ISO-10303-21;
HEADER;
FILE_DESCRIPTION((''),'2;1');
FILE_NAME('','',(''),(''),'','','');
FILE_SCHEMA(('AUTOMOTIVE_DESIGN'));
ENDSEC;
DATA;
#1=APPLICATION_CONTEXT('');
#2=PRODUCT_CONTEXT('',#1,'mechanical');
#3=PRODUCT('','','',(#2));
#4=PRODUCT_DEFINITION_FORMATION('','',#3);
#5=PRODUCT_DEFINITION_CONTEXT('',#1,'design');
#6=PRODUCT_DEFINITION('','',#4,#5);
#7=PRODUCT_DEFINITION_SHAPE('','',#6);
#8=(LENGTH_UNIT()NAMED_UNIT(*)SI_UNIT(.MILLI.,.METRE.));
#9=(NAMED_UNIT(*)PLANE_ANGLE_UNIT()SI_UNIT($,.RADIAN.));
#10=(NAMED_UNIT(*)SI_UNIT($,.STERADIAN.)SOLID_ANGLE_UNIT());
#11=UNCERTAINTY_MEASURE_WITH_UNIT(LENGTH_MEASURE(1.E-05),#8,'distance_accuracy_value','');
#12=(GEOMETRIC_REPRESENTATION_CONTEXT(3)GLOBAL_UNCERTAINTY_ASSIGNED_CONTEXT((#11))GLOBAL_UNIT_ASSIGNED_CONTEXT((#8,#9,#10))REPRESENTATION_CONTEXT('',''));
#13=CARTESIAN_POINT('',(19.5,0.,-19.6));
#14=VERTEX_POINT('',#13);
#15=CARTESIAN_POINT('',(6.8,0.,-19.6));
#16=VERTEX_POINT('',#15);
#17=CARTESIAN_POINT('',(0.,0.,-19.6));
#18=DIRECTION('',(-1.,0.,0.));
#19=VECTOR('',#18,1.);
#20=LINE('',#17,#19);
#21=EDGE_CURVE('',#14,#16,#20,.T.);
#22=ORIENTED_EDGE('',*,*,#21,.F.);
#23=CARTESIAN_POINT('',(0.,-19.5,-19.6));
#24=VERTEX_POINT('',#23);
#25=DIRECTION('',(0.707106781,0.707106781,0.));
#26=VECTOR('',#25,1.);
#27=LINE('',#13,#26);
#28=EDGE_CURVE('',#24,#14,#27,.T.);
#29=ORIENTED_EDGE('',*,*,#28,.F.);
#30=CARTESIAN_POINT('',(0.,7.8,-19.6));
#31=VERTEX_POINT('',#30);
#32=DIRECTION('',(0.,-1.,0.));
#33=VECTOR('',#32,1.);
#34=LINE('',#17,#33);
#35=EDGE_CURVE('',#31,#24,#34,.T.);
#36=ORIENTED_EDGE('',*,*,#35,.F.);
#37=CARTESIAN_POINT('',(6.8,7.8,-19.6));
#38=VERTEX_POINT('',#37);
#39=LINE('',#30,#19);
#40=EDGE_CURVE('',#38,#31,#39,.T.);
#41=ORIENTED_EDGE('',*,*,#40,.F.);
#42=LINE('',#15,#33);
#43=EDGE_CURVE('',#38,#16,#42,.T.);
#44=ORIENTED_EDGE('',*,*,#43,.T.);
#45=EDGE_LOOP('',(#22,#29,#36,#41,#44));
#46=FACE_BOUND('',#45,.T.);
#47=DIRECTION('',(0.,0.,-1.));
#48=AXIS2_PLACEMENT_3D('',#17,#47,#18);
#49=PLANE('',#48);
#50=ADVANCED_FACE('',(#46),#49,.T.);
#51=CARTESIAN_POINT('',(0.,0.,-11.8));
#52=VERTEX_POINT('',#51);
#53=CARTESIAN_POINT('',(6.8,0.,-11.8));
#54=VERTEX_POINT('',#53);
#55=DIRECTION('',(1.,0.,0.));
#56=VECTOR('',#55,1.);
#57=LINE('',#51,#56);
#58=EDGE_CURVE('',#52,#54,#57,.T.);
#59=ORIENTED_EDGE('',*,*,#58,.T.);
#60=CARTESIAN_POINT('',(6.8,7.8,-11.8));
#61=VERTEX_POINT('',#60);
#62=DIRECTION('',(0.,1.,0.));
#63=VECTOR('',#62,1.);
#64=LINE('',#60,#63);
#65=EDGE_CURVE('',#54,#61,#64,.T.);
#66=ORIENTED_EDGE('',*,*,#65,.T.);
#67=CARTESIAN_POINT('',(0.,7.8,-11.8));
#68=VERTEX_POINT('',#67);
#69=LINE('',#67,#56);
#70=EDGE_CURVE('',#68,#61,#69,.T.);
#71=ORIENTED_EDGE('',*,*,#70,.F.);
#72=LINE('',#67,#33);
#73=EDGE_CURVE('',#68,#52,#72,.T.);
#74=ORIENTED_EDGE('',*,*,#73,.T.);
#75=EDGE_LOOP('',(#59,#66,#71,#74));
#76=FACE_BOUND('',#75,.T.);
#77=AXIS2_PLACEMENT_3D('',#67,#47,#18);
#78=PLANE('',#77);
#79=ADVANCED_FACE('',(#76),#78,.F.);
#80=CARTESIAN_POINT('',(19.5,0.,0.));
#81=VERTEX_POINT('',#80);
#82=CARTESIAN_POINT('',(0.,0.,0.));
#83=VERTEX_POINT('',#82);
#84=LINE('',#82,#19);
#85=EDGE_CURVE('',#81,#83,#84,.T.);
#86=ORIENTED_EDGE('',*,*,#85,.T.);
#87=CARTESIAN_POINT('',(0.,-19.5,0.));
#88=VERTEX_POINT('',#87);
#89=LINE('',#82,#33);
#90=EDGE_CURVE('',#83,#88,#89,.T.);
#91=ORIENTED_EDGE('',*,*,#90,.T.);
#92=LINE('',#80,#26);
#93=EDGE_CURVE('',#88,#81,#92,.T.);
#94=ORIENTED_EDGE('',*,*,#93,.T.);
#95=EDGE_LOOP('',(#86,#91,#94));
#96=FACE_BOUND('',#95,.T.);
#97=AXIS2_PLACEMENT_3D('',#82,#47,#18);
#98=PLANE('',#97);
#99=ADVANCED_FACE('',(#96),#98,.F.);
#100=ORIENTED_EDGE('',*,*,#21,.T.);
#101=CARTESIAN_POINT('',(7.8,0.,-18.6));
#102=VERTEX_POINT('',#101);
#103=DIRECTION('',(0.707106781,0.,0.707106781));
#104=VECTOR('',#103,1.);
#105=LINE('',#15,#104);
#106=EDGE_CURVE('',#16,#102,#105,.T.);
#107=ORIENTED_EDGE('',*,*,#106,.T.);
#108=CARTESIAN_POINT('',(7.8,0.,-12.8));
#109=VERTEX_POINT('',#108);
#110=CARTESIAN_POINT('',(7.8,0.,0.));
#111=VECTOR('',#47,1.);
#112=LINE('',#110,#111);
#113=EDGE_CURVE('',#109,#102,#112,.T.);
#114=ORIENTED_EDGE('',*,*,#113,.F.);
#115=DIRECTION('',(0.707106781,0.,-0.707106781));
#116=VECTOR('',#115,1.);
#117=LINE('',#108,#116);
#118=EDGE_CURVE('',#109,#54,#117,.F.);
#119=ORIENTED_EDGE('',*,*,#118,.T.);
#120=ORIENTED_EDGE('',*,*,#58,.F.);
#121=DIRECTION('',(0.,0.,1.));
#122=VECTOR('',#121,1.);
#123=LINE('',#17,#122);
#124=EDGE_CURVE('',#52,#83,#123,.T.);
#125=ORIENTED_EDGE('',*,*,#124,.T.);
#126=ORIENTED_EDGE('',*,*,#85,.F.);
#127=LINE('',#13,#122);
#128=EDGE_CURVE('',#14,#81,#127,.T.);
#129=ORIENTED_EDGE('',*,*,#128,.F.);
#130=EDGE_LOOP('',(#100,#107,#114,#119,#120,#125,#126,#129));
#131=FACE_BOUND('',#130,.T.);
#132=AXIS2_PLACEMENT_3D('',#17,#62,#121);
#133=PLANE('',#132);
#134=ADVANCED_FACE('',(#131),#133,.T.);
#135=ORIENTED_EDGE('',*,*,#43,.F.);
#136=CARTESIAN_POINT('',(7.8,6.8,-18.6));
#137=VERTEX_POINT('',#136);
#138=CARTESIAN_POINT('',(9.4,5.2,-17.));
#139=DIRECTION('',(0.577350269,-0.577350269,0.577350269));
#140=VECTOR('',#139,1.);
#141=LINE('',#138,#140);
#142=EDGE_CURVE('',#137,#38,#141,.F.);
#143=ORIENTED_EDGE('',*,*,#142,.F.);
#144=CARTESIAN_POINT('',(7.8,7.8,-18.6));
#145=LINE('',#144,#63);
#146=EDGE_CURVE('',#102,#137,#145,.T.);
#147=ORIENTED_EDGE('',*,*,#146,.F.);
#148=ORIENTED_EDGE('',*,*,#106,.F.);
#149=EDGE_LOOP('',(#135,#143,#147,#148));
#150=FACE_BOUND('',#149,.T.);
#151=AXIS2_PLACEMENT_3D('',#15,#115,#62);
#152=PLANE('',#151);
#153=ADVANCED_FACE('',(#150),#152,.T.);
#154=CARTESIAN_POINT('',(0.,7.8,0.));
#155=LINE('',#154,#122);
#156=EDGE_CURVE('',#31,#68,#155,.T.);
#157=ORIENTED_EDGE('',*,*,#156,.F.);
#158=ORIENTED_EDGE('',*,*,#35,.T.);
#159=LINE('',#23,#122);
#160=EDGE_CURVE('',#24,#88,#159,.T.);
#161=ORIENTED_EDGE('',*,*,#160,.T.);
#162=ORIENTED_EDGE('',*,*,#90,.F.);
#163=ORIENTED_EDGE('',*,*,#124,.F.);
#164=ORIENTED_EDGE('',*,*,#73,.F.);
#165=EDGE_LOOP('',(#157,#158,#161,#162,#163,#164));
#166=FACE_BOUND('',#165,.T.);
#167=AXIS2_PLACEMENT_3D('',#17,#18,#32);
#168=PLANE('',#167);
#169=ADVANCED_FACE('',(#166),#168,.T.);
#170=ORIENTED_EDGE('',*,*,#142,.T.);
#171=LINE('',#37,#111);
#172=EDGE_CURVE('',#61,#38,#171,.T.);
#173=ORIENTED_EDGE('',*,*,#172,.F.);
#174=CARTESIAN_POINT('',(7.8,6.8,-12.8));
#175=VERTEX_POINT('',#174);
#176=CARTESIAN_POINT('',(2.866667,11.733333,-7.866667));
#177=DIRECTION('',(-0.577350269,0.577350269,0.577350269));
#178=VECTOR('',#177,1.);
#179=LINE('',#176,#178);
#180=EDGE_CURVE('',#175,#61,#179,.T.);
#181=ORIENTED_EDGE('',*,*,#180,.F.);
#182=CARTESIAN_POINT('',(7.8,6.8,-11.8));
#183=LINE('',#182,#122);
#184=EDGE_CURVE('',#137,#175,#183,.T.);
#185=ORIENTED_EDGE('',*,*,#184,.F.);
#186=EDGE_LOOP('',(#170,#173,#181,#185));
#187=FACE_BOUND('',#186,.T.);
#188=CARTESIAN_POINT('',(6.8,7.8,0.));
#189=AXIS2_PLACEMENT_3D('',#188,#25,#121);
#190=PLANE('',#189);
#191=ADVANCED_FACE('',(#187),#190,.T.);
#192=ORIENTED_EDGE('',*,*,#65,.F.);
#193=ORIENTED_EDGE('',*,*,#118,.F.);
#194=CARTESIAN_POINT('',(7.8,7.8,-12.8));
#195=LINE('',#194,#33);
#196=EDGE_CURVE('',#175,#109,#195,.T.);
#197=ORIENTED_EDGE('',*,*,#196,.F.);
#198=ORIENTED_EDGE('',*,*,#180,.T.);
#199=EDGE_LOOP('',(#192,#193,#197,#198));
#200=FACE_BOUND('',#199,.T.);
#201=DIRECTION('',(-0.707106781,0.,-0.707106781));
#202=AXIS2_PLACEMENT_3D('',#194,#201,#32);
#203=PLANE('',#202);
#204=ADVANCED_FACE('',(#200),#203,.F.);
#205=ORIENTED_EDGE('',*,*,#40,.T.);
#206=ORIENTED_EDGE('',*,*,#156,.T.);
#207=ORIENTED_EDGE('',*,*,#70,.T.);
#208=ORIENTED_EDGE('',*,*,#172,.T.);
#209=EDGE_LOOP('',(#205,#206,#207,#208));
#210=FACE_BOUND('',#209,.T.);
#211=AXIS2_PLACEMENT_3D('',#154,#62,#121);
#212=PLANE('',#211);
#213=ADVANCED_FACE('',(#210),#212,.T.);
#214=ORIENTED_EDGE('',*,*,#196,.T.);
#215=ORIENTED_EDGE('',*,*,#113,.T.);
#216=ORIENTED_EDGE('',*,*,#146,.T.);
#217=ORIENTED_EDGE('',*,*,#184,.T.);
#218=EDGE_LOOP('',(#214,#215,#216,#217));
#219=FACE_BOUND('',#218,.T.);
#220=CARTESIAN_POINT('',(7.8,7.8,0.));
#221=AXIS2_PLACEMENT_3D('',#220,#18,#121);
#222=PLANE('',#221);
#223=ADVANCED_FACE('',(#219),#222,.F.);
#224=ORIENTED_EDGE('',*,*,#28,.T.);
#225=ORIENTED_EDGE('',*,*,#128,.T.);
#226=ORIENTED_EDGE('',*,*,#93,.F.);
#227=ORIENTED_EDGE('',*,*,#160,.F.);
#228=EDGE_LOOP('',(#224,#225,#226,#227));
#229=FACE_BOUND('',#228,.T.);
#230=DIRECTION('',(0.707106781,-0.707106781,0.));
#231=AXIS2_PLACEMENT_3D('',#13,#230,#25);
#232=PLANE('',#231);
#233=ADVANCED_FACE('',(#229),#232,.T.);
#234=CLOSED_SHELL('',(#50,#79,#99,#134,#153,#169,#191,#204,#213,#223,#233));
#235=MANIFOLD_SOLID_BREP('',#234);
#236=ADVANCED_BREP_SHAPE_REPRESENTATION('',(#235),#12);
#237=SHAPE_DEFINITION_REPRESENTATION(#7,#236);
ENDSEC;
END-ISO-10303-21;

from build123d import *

# Parameters (mm, degrees)
BOSS_EXTRUDE1_DEPTH = 19.6
BOSS_EXTRUDE4_DEPTH = 7.8
CHAMFER3_SIZE       = 1


with BuildPart() as part:
    # Sketch1 → Boss-Extrude1 (new body)
    with BuildSketch(Plane.XY):
        Polygon((0, 0), (0, -19.5), (19.5, 0), align=None)
    extrude(amount=-BOSS_EXTRUDE1_DEPTH)

    # Sketch2 → Boss-Extrude4 (add)
    with BuildSketch(Plane(origin=(0, 0, 0), x_dir=(1, 0, 0), z_dir=(0, 1, 0))):
        Polygon((7.8, 19.6), (0, 19.6), (0, 13.7), (0, 11.8), (7.8, 11.8), align=None)
    extrude(amount=BOSS_EXTRUDE4_DEPTH)

    # Chamfer3
    chamfer3_edges = [part.edges().sort_by_distance(p)[0] for p in [
        (7.8, 3.9, -11.8),
        (7.8, 3.9, -19.6),
        (7.8, 7.8, -15.7),
    ]]
    chamfer(chamfer3_edges, length=CHAMFER3_SIZE)


solid = part.part
